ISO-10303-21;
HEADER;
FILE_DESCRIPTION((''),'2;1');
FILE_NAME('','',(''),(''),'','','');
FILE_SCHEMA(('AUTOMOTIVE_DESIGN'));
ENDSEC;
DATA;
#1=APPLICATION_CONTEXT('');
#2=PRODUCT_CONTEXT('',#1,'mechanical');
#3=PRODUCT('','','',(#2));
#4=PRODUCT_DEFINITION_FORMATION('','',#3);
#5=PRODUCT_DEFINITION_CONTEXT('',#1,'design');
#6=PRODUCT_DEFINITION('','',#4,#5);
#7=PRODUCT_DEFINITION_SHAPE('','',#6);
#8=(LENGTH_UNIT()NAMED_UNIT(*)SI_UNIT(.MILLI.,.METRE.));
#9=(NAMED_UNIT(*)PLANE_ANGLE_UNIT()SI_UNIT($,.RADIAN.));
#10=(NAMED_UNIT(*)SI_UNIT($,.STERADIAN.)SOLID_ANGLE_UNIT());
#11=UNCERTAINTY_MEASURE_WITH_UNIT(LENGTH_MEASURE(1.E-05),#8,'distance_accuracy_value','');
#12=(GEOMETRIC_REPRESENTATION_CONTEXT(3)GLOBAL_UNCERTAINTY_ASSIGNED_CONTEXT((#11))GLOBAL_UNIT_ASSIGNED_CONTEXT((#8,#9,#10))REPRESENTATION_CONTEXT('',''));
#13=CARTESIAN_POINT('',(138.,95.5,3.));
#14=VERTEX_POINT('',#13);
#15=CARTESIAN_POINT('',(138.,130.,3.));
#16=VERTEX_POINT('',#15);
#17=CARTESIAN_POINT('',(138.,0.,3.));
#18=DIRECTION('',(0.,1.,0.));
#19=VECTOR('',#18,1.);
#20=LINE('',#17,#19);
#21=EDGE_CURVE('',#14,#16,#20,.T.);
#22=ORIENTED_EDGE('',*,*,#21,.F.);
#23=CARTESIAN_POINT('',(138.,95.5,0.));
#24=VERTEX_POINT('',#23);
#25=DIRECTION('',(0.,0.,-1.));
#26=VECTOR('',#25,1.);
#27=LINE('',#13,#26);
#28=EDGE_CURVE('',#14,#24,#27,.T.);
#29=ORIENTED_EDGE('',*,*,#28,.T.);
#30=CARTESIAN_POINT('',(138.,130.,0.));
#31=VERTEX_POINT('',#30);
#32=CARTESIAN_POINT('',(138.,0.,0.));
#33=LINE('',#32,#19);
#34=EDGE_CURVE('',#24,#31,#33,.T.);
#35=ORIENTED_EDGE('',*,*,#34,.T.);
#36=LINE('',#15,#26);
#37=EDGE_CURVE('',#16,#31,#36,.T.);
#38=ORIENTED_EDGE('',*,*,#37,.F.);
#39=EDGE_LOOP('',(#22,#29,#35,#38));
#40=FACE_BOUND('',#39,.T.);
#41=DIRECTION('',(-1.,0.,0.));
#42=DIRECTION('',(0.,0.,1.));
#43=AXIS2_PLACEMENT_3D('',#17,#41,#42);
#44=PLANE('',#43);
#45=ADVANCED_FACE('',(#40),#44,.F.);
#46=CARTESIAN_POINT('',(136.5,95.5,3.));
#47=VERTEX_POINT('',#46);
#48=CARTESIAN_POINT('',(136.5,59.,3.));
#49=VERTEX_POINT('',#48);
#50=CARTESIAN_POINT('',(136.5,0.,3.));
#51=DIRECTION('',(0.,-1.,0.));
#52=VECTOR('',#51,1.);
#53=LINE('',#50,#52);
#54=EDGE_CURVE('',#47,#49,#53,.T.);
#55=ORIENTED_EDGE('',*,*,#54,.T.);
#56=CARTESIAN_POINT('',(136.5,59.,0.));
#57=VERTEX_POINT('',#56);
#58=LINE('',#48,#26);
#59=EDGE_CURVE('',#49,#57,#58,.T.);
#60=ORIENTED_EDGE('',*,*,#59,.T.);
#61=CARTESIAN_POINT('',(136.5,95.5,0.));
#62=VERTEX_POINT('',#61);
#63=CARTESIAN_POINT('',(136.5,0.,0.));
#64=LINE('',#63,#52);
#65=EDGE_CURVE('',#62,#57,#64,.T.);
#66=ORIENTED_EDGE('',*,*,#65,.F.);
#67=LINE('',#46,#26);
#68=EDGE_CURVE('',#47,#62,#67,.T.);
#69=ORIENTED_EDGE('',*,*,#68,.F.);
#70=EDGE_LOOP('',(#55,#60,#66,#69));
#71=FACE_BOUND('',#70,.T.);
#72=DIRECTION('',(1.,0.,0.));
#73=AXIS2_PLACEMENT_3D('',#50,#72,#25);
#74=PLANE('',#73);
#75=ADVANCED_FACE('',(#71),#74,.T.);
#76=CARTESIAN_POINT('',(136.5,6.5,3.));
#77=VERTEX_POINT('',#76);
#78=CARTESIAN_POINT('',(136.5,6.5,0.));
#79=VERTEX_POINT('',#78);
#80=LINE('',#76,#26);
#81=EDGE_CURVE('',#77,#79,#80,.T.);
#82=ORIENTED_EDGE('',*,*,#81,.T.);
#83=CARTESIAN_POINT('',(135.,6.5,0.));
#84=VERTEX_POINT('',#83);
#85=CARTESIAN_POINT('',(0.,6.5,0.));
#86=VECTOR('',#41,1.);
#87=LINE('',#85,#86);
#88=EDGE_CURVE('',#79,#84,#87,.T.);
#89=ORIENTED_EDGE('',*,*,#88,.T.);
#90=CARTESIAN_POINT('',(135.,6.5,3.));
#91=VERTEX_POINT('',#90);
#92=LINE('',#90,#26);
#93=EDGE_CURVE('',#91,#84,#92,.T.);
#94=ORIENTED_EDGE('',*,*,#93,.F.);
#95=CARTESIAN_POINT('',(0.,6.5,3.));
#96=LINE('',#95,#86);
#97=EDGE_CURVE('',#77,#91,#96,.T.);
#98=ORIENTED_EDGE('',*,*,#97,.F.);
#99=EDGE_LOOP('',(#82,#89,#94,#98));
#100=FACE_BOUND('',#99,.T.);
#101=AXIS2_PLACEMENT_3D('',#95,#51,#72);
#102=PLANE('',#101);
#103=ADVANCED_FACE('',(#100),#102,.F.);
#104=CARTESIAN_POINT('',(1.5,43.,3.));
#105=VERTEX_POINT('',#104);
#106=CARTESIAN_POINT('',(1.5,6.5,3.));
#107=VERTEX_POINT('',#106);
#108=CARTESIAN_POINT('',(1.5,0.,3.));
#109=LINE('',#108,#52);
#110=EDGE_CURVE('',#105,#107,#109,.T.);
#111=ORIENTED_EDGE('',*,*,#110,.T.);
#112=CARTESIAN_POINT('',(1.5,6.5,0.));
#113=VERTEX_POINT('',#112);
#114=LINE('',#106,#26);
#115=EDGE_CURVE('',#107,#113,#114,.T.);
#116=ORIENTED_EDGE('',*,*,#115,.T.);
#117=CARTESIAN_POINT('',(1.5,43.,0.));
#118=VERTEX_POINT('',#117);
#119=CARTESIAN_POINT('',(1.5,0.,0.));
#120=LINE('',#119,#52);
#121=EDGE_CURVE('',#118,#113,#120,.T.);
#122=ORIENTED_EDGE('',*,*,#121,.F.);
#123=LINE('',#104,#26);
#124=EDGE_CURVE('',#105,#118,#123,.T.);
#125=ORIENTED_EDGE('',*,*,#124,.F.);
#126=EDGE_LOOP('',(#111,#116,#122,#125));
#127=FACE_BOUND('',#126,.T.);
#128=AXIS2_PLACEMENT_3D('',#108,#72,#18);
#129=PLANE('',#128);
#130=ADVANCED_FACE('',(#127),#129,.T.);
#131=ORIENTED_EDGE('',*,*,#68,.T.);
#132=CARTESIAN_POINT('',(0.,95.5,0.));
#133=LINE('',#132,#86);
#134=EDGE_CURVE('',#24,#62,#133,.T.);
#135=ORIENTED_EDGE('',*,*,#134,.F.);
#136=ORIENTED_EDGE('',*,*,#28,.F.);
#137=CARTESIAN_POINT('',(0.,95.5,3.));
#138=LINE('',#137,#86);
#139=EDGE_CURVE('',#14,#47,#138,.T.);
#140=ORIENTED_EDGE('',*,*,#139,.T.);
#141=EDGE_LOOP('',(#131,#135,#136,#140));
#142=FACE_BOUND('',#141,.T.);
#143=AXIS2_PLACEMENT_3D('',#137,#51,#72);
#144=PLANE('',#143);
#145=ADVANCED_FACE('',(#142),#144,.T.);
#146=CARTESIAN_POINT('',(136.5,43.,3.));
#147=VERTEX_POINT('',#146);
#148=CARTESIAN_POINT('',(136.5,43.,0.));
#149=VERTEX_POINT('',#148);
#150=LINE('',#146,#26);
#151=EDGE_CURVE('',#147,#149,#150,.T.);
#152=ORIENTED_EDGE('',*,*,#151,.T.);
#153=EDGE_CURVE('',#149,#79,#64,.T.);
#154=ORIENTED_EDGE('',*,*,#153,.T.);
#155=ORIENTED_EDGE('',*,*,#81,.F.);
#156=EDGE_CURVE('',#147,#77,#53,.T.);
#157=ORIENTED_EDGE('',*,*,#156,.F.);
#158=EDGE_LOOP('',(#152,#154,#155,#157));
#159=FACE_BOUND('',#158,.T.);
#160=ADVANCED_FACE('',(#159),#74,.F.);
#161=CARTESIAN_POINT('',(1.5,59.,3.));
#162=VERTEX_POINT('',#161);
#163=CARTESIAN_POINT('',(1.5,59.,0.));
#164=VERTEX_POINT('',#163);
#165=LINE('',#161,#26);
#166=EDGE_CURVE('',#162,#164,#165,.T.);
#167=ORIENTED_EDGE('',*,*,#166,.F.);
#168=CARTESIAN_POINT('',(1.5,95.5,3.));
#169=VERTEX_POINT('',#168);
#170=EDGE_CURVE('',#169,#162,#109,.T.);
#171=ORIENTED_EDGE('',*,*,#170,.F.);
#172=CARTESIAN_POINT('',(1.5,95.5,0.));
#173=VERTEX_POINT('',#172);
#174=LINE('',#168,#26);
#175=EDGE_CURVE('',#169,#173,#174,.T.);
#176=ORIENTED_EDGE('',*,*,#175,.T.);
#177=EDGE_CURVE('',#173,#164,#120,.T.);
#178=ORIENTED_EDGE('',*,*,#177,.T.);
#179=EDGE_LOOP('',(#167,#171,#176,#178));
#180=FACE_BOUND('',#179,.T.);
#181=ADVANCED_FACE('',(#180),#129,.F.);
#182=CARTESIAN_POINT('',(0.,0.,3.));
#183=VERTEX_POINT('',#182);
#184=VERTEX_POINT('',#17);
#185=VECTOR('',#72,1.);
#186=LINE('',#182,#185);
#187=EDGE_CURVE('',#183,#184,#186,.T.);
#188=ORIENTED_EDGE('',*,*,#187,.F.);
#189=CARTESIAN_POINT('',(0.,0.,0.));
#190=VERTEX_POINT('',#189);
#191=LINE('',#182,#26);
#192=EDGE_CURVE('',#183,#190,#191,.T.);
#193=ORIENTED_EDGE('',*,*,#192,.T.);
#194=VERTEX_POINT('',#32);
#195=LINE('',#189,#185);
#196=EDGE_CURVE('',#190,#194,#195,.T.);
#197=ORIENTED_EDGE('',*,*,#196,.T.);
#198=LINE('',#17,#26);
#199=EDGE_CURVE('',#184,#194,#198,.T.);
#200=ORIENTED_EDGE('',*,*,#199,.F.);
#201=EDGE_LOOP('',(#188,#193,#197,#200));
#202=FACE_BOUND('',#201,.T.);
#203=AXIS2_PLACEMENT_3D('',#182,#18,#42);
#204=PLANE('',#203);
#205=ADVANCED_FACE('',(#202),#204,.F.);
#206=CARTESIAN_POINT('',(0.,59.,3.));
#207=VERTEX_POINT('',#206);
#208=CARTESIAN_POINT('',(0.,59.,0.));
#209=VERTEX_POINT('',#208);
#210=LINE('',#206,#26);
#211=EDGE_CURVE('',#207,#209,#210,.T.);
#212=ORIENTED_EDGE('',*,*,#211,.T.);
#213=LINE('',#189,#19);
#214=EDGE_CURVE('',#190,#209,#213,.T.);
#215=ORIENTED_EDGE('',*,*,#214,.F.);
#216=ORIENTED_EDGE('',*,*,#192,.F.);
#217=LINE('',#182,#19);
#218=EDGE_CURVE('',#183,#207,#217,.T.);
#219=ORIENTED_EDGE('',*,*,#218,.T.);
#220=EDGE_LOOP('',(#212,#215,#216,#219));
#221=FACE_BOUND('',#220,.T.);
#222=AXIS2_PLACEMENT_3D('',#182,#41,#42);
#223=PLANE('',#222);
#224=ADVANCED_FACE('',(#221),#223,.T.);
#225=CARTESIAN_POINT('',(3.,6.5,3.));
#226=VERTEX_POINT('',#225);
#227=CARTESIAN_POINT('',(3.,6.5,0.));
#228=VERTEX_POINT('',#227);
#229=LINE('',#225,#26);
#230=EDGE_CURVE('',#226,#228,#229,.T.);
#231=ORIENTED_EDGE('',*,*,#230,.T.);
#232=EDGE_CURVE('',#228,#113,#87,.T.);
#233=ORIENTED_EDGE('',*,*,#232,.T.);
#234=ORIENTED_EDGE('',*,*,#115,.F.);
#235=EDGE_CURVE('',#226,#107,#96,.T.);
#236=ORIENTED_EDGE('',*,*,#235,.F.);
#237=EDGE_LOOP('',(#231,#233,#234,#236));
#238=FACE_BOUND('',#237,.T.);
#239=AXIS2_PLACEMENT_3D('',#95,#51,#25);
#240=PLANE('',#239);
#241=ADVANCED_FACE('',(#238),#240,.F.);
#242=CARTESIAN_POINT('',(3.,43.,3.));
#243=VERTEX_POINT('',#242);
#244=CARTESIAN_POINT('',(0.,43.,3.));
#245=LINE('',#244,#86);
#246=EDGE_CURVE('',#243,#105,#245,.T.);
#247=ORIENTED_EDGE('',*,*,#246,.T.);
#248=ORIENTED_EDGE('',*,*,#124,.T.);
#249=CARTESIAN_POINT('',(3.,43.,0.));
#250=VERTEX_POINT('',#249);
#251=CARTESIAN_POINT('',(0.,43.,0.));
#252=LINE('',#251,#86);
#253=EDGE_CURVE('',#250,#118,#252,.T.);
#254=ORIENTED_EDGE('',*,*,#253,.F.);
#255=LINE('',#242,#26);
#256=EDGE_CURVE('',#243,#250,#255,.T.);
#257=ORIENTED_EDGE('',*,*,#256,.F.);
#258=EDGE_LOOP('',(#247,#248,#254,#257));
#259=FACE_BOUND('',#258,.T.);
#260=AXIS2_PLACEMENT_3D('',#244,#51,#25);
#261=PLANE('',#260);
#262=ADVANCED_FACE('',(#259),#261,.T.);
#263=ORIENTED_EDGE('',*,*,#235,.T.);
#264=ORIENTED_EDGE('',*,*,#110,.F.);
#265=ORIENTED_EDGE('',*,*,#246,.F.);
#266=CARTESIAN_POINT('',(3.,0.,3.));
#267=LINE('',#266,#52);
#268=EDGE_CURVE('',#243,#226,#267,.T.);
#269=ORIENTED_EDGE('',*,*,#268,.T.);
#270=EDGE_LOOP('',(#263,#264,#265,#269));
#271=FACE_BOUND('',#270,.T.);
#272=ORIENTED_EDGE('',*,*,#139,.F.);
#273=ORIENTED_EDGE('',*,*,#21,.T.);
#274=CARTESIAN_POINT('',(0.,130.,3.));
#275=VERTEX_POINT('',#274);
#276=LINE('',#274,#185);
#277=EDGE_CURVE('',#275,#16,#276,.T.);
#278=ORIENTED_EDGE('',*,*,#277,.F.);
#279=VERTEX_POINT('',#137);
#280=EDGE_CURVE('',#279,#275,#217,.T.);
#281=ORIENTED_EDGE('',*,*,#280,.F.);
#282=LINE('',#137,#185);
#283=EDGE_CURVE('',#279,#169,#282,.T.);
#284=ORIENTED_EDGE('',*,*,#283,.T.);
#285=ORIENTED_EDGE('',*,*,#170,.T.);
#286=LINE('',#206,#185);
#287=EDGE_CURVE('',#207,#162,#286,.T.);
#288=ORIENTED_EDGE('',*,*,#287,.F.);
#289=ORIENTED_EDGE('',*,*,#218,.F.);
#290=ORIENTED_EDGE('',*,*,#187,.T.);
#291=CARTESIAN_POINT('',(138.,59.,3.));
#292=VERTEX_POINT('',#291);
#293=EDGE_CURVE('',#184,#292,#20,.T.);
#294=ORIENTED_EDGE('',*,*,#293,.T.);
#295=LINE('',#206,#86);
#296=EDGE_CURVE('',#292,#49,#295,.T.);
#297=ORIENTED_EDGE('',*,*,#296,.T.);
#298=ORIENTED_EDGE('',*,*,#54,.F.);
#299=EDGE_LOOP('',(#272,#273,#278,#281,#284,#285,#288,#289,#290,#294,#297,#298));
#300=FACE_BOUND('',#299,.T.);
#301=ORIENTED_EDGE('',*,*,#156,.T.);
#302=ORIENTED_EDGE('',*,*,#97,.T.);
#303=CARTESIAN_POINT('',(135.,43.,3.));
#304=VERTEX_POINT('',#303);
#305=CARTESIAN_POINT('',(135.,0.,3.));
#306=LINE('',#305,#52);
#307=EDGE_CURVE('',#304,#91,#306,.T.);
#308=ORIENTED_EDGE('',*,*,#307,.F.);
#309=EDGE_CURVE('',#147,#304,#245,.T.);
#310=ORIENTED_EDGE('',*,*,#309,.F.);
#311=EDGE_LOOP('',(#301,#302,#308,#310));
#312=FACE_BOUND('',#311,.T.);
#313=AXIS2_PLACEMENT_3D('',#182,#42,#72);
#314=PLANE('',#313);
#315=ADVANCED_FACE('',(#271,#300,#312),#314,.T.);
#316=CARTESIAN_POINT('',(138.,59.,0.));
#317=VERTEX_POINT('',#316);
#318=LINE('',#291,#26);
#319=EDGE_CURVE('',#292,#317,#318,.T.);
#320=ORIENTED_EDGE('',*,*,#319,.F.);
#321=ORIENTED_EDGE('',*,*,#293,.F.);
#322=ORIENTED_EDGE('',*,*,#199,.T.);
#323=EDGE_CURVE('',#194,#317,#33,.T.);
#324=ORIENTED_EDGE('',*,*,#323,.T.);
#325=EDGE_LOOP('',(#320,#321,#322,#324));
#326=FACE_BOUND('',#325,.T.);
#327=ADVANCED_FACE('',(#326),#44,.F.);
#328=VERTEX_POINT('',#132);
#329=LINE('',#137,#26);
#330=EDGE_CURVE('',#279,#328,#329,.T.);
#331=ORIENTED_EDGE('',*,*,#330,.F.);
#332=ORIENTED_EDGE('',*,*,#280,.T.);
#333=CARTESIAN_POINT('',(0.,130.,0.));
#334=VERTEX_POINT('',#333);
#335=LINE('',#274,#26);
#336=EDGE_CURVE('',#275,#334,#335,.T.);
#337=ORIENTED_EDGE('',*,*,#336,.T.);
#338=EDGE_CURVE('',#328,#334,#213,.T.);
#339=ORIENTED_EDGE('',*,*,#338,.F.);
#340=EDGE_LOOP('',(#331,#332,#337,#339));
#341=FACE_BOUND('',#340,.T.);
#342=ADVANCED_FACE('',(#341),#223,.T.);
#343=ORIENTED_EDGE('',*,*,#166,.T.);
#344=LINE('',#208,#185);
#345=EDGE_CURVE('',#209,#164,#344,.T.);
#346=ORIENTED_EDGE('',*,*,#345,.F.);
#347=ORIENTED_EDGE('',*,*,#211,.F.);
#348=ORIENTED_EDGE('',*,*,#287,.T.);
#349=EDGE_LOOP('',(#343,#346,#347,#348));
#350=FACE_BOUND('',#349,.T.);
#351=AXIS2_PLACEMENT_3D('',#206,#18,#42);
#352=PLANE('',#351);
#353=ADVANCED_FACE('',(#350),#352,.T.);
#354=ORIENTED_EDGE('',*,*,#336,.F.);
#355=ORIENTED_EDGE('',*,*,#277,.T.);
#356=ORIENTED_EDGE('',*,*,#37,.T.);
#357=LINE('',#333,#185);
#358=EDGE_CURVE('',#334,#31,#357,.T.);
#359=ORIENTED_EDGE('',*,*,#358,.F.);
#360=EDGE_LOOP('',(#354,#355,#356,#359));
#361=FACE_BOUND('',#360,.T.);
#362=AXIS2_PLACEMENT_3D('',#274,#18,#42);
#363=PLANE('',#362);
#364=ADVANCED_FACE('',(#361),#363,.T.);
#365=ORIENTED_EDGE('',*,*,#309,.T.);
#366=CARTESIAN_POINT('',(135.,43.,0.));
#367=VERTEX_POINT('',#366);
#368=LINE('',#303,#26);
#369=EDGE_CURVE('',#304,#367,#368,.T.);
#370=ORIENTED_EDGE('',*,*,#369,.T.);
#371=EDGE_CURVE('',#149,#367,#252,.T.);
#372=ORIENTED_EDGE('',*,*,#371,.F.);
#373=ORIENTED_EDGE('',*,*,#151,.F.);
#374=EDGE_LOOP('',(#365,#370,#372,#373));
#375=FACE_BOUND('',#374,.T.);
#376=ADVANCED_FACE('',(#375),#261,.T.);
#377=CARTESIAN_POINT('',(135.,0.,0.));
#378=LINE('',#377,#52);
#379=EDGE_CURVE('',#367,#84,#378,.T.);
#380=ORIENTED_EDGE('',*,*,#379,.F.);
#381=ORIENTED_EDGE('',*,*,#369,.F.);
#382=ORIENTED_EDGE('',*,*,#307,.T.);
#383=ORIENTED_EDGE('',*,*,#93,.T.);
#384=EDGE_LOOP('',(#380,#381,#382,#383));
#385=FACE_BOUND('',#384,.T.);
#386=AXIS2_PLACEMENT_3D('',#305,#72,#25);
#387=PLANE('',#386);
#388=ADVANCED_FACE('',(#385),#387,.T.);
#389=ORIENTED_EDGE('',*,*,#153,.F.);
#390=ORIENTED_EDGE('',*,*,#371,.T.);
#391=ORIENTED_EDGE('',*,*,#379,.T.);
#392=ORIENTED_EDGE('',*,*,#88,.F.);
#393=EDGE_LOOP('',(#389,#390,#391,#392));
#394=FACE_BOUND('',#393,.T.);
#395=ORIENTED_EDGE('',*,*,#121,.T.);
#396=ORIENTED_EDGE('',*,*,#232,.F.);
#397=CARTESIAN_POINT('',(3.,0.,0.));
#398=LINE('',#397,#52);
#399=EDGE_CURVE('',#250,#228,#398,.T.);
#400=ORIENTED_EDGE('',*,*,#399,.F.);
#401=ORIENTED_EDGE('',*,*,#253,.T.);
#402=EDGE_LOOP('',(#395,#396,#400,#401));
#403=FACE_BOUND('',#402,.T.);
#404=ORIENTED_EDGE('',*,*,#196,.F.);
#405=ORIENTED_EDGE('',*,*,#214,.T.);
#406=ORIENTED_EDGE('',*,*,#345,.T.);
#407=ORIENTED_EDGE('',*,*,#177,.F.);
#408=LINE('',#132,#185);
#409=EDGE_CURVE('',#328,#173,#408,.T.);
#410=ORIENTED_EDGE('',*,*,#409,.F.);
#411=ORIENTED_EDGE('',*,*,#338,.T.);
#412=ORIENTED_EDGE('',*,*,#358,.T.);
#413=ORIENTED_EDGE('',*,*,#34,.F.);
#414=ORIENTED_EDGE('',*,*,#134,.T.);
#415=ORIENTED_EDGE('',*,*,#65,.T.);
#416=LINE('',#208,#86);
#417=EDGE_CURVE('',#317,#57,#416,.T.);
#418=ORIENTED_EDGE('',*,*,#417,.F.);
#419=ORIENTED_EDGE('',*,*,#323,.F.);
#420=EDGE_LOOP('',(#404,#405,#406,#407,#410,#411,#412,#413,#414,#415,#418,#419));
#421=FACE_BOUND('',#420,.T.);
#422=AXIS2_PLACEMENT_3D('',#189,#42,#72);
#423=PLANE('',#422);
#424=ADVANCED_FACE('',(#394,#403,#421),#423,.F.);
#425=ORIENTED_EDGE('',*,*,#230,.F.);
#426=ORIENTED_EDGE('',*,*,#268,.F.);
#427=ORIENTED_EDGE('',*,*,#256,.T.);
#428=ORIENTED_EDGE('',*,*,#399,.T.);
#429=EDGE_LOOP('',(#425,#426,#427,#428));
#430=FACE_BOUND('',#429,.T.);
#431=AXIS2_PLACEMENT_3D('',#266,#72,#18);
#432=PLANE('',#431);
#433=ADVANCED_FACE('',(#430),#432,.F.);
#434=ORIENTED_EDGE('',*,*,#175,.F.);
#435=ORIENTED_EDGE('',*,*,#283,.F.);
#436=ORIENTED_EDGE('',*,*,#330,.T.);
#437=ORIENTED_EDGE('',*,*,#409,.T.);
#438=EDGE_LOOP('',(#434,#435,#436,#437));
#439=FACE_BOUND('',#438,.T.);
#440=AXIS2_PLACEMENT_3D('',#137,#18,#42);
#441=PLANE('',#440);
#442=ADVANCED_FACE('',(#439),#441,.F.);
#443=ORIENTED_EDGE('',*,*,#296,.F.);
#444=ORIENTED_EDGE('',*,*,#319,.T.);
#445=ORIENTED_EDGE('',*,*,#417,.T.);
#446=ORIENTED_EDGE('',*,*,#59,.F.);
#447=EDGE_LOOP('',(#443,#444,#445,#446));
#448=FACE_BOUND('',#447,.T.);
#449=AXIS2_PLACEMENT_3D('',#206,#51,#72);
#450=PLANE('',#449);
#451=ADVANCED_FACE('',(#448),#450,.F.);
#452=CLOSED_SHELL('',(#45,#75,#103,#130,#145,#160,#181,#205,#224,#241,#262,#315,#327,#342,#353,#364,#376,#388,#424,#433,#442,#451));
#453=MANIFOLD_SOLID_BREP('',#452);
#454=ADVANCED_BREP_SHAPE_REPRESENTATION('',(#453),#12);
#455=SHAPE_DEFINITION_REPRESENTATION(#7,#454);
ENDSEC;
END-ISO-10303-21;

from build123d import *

# Parameters (mm, degrees)
SKETCH1_W           = 1.5
SKETCH1_H           = 36.5
BOSS_EXTRUDE1_DEPTH = 3


with BuildPart() as part:
    # Sketch1 → Boss-Extrude1 (new body)
    with BuildSketch(Plane.XY):
        Polygon((0, 59), (0, 0), (138, 0), (138, 59), (136.5, 59), (136.5, 95.5), (138, 95.5), (138, 130), (0, 130), (0, 95.5), (1.5, 95.5), (1.5, 59), align=None)
        with Locations((2.25, 24.75)):
            Rectangle(SKETCH1_W, SKETCH1_H, mode=Mode.SUBTRACT)
        with Locations((135.75, 24.75)):
            Rectangle(SKETCH1_W, SKETCH1_H, mode=Mode.SUBTRACT)
    extrude(amount=BOSS_EXTRUDE1_DEPTH)


solid = part.part
